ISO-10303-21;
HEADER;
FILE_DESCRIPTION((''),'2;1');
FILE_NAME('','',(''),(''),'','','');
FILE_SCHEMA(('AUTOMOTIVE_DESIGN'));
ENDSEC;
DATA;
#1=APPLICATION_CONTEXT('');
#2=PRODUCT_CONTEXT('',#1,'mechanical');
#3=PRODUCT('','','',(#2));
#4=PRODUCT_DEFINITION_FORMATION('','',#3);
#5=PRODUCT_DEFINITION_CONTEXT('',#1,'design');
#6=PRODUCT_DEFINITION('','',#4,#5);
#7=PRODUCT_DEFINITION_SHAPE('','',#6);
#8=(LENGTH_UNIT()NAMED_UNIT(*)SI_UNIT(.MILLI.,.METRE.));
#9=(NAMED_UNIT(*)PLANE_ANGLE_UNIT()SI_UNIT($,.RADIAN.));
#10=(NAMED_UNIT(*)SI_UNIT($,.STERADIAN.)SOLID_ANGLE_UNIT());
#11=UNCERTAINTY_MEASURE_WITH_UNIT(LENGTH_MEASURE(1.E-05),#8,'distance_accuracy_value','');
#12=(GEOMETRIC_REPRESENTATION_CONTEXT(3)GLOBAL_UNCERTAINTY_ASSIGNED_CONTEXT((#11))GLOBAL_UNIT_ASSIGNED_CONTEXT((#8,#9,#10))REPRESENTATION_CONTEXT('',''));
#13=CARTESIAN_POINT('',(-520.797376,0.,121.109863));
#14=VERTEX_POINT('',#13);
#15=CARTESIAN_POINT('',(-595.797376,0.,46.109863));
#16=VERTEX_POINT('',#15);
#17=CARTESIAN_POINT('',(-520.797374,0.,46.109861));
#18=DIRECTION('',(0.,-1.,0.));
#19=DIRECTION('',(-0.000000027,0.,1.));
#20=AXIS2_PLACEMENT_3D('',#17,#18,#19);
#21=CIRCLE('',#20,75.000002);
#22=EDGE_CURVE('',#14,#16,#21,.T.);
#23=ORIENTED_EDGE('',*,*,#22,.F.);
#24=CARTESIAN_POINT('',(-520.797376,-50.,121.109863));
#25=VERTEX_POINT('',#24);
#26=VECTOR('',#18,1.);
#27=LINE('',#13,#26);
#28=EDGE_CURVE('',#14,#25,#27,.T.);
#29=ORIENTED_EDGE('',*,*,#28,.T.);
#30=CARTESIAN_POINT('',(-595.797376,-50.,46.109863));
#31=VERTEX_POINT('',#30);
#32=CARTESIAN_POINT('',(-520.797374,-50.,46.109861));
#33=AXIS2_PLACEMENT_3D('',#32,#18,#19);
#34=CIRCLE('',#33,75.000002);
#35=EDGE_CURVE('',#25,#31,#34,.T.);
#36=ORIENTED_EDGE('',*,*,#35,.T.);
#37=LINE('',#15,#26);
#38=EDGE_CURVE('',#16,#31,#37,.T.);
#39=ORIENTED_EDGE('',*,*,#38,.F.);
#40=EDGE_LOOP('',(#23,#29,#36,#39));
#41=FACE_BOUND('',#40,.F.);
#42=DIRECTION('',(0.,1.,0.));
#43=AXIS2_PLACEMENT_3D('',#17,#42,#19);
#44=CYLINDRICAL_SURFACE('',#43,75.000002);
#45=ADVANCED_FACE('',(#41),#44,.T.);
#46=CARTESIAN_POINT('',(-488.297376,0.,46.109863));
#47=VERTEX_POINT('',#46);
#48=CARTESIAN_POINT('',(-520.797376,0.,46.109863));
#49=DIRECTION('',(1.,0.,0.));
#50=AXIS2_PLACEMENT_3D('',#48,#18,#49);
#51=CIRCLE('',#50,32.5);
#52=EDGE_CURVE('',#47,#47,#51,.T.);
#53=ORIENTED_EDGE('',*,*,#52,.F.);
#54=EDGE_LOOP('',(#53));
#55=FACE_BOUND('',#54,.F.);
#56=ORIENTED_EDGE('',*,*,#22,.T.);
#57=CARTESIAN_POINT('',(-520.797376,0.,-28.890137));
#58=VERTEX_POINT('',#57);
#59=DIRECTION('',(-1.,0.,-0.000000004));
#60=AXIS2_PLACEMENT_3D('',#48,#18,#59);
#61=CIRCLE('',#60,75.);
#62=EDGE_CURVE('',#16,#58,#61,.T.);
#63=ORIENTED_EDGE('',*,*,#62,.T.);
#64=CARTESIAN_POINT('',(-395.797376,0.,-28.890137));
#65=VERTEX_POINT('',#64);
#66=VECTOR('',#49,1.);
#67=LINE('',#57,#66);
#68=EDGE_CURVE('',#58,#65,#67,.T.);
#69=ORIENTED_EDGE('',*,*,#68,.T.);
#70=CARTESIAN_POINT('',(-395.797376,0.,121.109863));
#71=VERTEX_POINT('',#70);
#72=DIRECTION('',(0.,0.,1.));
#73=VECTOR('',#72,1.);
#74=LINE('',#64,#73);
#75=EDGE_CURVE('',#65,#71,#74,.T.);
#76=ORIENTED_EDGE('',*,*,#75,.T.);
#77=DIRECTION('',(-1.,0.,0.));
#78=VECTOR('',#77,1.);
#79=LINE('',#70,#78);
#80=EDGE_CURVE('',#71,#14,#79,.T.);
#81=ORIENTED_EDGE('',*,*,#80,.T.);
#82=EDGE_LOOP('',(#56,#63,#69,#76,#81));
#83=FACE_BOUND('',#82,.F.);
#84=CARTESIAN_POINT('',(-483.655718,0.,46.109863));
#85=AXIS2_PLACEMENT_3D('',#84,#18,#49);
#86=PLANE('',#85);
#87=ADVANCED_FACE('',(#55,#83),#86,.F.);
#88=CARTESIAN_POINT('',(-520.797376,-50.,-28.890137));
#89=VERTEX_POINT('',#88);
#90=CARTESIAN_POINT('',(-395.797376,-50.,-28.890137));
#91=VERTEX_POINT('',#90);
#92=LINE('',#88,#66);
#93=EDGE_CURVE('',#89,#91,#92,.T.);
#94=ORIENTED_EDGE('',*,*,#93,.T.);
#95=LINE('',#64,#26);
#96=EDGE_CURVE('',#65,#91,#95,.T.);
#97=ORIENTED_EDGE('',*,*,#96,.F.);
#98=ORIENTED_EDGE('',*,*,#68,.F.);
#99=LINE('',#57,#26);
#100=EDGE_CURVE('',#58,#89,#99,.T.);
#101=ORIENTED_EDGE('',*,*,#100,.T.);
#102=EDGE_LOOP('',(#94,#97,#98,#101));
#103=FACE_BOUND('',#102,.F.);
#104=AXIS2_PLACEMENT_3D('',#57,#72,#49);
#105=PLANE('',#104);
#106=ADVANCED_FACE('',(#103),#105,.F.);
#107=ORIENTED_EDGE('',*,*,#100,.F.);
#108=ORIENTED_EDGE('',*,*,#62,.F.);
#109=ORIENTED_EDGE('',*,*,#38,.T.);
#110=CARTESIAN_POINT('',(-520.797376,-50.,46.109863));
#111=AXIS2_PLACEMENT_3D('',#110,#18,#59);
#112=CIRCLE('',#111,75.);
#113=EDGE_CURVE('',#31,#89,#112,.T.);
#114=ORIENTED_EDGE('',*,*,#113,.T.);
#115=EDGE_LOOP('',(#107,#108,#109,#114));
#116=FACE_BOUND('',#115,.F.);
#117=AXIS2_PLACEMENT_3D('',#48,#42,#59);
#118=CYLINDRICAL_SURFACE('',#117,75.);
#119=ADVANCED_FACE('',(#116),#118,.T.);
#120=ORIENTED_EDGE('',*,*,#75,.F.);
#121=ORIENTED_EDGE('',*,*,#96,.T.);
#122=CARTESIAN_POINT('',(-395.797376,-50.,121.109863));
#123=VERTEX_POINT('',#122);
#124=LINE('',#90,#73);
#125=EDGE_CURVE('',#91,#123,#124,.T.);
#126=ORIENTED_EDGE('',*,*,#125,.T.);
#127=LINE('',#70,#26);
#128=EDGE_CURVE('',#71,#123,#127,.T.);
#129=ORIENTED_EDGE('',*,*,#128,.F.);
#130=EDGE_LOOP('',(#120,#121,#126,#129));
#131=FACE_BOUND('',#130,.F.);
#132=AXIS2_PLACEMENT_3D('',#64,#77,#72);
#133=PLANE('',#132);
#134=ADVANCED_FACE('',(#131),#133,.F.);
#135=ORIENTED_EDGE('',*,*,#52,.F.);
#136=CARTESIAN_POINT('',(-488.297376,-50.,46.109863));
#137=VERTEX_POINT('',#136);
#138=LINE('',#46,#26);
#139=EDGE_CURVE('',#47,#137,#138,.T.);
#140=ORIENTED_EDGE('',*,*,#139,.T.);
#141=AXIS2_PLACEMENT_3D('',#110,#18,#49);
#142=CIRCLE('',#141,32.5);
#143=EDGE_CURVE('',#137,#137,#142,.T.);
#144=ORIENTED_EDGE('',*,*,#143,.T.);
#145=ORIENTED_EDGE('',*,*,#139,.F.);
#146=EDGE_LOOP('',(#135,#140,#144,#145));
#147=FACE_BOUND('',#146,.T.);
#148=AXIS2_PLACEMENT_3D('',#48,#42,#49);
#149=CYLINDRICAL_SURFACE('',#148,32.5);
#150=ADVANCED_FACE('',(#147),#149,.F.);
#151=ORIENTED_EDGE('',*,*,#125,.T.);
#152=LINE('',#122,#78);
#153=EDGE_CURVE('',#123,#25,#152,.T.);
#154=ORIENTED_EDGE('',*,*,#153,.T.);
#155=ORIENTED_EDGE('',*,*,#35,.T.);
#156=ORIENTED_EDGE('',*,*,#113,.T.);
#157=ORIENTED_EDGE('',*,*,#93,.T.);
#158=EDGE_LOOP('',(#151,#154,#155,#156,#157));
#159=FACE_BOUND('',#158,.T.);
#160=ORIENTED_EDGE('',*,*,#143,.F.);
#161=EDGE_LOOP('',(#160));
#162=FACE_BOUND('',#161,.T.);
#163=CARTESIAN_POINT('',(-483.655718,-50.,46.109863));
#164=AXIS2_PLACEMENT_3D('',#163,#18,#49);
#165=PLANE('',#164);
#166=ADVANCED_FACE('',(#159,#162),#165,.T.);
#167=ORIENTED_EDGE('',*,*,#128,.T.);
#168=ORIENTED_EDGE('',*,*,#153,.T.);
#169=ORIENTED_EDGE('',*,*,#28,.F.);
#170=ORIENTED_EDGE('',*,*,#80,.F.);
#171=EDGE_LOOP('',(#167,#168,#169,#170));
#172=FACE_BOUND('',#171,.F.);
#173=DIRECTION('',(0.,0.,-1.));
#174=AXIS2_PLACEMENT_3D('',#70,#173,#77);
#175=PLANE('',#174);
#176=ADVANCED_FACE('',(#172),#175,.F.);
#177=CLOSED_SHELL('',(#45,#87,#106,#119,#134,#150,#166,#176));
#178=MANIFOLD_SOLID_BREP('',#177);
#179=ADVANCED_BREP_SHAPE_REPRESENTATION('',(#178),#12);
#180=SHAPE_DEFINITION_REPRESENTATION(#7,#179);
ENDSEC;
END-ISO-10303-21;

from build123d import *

# Parameters (mm, degrees)
F0_R     = 32.5
F1_DEPTH = 50


with BuildPart() as f1:
    # F0 (on Front) → F1 (new body)
    with BuildSketch(Plane.XZ):
        with BuildLine():
            Line((-395.797376, 46.109863), (-395.797376, 121.109863))
            Line((-395.797376, 121.109863), (-520.797376, 121.109863))
            ThreePointArc((-520.797376, 121.109863), (-573.830384, 99.142871), (-595.797376, 46.109863))
            ThreePointArc((-595.797376, 46.109863), (-573.830384, -6.923146), (-520.797376, -28.890137))
            Line((-520.797376, -28.890137), (-395.797376, -28.890137))
            Line((-395.797376, -28.890137), (-395.797376, 46.109863))
        make_face()
        with Locations((-520.797376, 46.109863)):
            Circle(F0_R, mode=Mode.SUBTRACT)
    extrude(amount=F1_DEPTH)


solid = f1.part
